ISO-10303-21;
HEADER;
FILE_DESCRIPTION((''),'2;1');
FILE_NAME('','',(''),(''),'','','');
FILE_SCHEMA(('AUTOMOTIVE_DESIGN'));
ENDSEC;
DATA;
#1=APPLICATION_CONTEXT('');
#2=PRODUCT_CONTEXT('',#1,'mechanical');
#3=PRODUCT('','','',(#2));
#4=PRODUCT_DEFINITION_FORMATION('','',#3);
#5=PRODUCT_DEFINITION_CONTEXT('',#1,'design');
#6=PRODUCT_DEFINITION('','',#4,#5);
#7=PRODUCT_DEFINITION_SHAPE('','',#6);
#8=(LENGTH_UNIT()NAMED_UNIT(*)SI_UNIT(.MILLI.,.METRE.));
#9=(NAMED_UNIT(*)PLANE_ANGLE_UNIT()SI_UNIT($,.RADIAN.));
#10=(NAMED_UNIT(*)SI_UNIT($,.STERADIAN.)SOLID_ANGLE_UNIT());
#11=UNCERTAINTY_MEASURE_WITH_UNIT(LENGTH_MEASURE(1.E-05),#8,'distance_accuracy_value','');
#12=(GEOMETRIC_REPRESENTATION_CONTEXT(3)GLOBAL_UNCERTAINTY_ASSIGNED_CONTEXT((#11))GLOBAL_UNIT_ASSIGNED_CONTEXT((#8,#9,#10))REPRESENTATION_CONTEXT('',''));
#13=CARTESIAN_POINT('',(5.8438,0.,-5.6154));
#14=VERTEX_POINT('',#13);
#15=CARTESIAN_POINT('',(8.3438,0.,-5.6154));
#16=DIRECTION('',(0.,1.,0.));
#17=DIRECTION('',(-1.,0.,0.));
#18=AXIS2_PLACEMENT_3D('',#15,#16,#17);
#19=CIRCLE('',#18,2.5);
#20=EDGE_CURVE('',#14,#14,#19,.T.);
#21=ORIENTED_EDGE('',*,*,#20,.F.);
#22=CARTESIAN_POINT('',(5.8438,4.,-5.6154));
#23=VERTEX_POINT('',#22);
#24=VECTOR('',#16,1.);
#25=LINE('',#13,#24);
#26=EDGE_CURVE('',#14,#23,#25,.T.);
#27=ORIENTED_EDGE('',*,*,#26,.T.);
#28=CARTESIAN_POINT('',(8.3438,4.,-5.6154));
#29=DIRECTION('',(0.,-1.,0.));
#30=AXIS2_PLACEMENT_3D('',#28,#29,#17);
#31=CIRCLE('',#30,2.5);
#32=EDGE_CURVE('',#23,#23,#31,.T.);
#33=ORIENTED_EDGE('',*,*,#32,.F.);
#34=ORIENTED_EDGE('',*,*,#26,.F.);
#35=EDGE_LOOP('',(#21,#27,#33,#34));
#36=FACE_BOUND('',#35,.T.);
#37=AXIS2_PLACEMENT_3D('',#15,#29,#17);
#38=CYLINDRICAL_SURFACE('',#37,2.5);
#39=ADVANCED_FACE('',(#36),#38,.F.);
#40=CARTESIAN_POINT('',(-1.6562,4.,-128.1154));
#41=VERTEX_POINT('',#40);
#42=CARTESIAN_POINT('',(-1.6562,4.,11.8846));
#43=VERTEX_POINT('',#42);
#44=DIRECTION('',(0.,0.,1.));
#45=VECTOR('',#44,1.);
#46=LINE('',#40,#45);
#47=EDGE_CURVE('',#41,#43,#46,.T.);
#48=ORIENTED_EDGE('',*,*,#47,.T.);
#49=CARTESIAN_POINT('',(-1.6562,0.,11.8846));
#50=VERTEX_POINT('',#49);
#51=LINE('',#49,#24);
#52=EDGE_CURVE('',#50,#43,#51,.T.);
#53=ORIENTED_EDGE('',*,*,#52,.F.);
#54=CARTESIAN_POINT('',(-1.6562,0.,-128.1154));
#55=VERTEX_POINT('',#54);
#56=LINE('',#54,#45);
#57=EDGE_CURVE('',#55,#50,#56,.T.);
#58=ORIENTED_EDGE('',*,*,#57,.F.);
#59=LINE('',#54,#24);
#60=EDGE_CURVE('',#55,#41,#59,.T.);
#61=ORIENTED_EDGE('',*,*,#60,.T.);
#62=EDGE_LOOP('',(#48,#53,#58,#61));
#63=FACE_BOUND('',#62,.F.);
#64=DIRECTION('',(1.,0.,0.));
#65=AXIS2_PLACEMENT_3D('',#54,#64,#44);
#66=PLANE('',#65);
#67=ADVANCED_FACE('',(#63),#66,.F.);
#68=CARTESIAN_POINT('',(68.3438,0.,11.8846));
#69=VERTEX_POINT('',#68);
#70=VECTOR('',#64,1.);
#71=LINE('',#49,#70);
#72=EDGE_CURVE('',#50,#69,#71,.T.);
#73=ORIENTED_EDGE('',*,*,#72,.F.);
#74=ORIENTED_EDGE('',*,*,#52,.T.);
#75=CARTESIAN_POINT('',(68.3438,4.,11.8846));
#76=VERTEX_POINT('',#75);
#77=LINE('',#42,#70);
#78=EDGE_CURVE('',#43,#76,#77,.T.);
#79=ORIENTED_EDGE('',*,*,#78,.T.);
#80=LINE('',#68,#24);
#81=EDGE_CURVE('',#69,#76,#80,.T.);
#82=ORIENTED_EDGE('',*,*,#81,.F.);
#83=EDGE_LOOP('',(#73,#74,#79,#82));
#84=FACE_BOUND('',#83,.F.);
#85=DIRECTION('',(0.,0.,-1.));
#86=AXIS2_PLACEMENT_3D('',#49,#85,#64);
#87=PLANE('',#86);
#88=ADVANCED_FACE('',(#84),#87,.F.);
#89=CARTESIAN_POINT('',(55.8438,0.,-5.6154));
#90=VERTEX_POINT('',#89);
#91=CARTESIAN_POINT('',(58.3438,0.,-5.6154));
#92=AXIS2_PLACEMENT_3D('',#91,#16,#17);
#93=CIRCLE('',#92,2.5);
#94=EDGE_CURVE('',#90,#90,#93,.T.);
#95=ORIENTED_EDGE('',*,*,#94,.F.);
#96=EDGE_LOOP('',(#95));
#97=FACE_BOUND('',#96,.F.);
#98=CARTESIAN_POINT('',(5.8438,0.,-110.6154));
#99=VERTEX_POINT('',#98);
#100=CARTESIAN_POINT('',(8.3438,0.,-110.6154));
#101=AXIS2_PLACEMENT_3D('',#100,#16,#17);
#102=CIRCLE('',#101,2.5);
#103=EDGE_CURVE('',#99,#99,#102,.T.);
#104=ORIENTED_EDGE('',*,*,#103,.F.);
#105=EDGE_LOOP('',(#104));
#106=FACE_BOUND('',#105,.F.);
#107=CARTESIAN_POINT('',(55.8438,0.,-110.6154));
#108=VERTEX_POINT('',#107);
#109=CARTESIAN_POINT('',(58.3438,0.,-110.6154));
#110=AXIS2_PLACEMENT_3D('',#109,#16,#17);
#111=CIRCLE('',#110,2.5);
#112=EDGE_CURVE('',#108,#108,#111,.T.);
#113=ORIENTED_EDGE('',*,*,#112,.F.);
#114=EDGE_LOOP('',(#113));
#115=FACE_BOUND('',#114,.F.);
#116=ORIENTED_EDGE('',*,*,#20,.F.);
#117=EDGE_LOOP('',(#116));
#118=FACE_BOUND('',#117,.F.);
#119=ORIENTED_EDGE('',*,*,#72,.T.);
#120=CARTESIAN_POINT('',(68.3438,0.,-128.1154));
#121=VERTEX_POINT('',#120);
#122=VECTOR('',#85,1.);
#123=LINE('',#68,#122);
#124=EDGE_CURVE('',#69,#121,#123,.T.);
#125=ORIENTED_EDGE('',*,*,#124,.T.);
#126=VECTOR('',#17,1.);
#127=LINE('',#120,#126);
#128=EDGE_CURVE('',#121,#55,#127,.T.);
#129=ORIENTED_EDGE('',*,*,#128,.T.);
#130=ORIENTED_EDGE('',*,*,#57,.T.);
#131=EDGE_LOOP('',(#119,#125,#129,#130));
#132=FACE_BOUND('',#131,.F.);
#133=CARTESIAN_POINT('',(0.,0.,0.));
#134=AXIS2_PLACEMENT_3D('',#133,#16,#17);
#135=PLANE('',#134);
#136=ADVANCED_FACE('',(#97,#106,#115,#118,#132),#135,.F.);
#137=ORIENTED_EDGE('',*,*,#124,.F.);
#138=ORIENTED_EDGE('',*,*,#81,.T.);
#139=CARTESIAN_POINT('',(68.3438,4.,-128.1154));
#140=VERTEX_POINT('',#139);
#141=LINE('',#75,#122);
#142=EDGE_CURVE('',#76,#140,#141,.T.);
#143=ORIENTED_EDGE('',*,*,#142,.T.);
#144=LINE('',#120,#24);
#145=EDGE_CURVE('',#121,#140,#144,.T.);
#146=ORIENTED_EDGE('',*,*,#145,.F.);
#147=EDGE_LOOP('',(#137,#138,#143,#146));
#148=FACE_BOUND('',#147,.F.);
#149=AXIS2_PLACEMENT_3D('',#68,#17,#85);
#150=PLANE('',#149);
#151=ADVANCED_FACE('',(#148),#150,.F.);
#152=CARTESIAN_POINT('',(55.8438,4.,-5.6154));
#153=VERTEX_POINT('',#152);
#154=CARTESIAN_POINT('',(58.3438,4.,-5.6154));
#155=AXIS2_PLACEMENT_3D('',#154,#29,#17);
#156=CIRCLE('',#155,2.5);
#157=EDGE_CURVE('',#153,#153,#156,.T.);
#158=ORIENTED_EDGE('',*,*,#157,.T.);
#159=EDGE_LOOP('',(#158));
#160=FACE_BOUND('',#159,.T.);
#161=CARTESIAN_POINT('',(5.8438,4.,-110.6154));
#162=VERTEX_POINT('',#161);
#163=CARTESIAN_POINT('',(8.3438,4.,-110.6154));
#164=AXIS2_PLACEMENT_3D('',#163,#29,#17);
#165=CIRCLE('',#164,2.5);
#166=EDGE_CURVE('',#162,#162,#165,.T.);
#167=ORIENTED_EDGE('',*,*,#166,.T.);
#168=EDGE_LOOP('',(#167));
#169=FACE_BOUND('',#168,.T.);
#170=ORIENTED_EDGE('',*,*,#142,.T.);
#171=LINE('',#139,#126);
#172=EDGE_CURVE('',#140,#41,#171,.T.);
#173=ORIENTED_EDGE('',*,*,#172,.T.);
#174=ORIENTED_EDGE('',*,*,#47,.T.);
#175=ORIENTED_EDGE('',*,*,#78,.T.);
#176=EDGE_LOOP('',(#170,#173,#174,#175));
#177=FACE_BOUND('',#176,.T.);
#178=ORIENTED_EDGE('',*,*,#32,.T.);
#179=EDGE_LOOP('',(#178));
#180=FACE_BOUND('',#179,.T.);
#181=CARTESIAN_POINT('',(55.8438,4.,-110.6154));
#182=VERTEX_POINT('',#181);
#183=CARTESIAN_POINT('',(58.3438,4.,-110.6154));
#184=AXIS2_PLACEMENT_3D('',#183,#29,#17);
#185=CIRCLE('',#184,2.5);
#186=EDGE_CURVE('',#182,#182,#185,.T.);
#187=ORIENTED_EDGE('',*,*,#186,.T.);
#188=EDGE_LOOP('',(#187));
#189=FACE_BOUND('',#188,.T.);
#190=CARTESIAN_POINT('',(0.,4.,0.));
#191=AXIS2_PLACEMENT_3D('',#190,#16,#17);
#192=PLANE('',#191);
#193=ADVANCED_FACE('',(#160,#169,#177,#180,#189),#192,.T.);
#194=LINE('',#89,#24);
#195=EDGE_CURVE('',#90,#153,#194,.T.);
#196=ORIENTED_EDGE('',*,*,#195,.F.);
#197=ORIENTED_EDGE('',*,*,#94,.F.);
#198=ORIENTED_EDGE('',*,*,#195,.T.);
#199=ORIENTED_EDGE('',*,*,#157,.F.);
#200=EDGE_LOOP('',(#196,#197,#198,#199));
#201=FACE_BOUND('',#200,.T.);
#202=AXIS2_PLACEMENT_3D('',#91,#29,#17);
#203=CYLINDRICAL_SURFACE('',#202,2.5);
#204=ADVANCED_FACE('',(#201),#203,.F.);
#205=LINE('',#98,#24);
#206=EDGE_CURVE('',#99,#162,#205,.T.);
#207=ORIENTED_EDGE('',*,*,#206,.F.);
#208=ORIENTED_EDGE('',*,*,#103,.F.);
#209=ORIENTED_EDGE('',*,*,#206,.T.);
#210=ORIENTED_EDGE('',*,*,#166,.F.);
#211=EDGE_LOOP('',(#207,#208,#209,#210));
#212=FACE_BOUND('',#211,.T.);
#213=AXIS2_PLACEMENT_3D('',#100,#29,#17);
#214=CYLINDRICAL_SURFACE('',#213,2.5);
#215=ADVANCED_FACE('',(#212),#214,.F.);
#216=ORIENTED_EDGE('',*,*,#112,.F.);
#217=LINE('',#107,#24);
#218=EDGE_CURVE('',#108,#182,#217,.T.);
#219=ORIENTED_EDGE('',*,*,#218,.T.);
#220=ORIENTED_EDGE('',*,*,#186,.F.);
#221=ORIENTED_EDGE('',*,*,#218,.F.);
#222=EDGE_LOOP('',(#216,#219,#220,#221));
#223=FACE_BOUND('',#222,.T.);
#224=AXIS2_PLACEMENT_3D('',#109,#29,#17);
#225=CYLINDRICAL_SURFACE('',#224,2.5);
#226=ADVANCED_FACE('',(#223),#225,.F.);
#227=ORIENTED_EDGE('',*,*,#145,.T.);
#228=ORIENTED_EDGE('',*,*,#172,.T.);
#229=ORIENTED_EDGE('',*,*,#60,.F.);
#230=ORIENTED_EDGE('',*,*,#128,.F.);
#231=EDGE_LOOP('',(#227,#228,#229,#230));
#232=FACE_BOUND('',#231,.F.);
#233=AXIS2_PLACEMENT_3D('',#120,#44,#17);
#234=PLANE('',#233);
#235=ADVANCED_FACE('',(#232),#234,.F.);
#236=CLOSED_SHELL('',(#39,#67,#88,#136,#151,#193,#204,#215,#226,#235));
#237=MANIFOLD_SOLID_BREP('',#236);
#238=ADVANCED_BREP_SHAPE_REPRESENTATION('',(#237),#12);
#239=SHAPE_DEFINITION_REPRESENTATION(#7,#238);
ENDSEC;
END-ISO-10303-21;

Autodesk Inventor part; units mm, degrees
ref_plane "YZ Plane" through (0, 0, 0) normal (1, 0, 0) x (0, 1, 0)
ref_plane "XZ Plane" through (0, 0, 0) normal (0, 1, 0) x (-1, 0, 0)
ref_plane "XY Plane" through (0, 0, 0) normal (0, 0, 1) x (1, 0, 0)
sketch "Sketch1" plane through (0, 0, 0) normal (0, 1, 0) x (-1, 0, 0)
  line L0 (1.6562, 11.8846) -> (-68.3438, 11.8846)
  line L1 (-68.3438, 11.8846) -> (-68.3438, -128.1154)
  line L2 (-68.3438, -128.1154) -> (1.6562, -128.1154)
  line L3 (1.6562, -128.1154) -> (1.6562, 11.8846)
  line L4 (-8.3438, -5.6154) -> (-58.3438, -5.6154)
  line L5 (-58.3438, -5.6154) -> (-58.3438, -110.6154)
  line L6 (-58.3438, -110.6154) -> (-8.3438, -110.6154)
  line L7 (-8.3438, -110.6154) -> (-8.3438, -5.6154)
  circle A0 centre (-8.3438, -5.6154) radius 2.5
  circle A1 centre (-8.3438, -110.6154) radius 2.5
  circle A2 centre (-58.3438, -5.6154) radius 2.5
  circle A3 centre (-58.3438, -110.6154) radius 2.5
  point P0 (0, 0)
  dimension "d0" = 70
  dimension "d1" = 140
  dimension "d2" = 50
  dimension "d3" = 105
  dimension "d4" = 17.5
  dimension "d5" = 10
  dimension "d6" = 5
  dimension "d7" = 5
  dimension "d8" = 5
  dimension "d9" = 5
extrude "Extrusion1" add sketch "Sketch1" along normal blind 4 contours L3 L2 L1 L0 | L4 A0 L7 A1 L6 A3 L5 A2
properties part number "rackmountplate"
